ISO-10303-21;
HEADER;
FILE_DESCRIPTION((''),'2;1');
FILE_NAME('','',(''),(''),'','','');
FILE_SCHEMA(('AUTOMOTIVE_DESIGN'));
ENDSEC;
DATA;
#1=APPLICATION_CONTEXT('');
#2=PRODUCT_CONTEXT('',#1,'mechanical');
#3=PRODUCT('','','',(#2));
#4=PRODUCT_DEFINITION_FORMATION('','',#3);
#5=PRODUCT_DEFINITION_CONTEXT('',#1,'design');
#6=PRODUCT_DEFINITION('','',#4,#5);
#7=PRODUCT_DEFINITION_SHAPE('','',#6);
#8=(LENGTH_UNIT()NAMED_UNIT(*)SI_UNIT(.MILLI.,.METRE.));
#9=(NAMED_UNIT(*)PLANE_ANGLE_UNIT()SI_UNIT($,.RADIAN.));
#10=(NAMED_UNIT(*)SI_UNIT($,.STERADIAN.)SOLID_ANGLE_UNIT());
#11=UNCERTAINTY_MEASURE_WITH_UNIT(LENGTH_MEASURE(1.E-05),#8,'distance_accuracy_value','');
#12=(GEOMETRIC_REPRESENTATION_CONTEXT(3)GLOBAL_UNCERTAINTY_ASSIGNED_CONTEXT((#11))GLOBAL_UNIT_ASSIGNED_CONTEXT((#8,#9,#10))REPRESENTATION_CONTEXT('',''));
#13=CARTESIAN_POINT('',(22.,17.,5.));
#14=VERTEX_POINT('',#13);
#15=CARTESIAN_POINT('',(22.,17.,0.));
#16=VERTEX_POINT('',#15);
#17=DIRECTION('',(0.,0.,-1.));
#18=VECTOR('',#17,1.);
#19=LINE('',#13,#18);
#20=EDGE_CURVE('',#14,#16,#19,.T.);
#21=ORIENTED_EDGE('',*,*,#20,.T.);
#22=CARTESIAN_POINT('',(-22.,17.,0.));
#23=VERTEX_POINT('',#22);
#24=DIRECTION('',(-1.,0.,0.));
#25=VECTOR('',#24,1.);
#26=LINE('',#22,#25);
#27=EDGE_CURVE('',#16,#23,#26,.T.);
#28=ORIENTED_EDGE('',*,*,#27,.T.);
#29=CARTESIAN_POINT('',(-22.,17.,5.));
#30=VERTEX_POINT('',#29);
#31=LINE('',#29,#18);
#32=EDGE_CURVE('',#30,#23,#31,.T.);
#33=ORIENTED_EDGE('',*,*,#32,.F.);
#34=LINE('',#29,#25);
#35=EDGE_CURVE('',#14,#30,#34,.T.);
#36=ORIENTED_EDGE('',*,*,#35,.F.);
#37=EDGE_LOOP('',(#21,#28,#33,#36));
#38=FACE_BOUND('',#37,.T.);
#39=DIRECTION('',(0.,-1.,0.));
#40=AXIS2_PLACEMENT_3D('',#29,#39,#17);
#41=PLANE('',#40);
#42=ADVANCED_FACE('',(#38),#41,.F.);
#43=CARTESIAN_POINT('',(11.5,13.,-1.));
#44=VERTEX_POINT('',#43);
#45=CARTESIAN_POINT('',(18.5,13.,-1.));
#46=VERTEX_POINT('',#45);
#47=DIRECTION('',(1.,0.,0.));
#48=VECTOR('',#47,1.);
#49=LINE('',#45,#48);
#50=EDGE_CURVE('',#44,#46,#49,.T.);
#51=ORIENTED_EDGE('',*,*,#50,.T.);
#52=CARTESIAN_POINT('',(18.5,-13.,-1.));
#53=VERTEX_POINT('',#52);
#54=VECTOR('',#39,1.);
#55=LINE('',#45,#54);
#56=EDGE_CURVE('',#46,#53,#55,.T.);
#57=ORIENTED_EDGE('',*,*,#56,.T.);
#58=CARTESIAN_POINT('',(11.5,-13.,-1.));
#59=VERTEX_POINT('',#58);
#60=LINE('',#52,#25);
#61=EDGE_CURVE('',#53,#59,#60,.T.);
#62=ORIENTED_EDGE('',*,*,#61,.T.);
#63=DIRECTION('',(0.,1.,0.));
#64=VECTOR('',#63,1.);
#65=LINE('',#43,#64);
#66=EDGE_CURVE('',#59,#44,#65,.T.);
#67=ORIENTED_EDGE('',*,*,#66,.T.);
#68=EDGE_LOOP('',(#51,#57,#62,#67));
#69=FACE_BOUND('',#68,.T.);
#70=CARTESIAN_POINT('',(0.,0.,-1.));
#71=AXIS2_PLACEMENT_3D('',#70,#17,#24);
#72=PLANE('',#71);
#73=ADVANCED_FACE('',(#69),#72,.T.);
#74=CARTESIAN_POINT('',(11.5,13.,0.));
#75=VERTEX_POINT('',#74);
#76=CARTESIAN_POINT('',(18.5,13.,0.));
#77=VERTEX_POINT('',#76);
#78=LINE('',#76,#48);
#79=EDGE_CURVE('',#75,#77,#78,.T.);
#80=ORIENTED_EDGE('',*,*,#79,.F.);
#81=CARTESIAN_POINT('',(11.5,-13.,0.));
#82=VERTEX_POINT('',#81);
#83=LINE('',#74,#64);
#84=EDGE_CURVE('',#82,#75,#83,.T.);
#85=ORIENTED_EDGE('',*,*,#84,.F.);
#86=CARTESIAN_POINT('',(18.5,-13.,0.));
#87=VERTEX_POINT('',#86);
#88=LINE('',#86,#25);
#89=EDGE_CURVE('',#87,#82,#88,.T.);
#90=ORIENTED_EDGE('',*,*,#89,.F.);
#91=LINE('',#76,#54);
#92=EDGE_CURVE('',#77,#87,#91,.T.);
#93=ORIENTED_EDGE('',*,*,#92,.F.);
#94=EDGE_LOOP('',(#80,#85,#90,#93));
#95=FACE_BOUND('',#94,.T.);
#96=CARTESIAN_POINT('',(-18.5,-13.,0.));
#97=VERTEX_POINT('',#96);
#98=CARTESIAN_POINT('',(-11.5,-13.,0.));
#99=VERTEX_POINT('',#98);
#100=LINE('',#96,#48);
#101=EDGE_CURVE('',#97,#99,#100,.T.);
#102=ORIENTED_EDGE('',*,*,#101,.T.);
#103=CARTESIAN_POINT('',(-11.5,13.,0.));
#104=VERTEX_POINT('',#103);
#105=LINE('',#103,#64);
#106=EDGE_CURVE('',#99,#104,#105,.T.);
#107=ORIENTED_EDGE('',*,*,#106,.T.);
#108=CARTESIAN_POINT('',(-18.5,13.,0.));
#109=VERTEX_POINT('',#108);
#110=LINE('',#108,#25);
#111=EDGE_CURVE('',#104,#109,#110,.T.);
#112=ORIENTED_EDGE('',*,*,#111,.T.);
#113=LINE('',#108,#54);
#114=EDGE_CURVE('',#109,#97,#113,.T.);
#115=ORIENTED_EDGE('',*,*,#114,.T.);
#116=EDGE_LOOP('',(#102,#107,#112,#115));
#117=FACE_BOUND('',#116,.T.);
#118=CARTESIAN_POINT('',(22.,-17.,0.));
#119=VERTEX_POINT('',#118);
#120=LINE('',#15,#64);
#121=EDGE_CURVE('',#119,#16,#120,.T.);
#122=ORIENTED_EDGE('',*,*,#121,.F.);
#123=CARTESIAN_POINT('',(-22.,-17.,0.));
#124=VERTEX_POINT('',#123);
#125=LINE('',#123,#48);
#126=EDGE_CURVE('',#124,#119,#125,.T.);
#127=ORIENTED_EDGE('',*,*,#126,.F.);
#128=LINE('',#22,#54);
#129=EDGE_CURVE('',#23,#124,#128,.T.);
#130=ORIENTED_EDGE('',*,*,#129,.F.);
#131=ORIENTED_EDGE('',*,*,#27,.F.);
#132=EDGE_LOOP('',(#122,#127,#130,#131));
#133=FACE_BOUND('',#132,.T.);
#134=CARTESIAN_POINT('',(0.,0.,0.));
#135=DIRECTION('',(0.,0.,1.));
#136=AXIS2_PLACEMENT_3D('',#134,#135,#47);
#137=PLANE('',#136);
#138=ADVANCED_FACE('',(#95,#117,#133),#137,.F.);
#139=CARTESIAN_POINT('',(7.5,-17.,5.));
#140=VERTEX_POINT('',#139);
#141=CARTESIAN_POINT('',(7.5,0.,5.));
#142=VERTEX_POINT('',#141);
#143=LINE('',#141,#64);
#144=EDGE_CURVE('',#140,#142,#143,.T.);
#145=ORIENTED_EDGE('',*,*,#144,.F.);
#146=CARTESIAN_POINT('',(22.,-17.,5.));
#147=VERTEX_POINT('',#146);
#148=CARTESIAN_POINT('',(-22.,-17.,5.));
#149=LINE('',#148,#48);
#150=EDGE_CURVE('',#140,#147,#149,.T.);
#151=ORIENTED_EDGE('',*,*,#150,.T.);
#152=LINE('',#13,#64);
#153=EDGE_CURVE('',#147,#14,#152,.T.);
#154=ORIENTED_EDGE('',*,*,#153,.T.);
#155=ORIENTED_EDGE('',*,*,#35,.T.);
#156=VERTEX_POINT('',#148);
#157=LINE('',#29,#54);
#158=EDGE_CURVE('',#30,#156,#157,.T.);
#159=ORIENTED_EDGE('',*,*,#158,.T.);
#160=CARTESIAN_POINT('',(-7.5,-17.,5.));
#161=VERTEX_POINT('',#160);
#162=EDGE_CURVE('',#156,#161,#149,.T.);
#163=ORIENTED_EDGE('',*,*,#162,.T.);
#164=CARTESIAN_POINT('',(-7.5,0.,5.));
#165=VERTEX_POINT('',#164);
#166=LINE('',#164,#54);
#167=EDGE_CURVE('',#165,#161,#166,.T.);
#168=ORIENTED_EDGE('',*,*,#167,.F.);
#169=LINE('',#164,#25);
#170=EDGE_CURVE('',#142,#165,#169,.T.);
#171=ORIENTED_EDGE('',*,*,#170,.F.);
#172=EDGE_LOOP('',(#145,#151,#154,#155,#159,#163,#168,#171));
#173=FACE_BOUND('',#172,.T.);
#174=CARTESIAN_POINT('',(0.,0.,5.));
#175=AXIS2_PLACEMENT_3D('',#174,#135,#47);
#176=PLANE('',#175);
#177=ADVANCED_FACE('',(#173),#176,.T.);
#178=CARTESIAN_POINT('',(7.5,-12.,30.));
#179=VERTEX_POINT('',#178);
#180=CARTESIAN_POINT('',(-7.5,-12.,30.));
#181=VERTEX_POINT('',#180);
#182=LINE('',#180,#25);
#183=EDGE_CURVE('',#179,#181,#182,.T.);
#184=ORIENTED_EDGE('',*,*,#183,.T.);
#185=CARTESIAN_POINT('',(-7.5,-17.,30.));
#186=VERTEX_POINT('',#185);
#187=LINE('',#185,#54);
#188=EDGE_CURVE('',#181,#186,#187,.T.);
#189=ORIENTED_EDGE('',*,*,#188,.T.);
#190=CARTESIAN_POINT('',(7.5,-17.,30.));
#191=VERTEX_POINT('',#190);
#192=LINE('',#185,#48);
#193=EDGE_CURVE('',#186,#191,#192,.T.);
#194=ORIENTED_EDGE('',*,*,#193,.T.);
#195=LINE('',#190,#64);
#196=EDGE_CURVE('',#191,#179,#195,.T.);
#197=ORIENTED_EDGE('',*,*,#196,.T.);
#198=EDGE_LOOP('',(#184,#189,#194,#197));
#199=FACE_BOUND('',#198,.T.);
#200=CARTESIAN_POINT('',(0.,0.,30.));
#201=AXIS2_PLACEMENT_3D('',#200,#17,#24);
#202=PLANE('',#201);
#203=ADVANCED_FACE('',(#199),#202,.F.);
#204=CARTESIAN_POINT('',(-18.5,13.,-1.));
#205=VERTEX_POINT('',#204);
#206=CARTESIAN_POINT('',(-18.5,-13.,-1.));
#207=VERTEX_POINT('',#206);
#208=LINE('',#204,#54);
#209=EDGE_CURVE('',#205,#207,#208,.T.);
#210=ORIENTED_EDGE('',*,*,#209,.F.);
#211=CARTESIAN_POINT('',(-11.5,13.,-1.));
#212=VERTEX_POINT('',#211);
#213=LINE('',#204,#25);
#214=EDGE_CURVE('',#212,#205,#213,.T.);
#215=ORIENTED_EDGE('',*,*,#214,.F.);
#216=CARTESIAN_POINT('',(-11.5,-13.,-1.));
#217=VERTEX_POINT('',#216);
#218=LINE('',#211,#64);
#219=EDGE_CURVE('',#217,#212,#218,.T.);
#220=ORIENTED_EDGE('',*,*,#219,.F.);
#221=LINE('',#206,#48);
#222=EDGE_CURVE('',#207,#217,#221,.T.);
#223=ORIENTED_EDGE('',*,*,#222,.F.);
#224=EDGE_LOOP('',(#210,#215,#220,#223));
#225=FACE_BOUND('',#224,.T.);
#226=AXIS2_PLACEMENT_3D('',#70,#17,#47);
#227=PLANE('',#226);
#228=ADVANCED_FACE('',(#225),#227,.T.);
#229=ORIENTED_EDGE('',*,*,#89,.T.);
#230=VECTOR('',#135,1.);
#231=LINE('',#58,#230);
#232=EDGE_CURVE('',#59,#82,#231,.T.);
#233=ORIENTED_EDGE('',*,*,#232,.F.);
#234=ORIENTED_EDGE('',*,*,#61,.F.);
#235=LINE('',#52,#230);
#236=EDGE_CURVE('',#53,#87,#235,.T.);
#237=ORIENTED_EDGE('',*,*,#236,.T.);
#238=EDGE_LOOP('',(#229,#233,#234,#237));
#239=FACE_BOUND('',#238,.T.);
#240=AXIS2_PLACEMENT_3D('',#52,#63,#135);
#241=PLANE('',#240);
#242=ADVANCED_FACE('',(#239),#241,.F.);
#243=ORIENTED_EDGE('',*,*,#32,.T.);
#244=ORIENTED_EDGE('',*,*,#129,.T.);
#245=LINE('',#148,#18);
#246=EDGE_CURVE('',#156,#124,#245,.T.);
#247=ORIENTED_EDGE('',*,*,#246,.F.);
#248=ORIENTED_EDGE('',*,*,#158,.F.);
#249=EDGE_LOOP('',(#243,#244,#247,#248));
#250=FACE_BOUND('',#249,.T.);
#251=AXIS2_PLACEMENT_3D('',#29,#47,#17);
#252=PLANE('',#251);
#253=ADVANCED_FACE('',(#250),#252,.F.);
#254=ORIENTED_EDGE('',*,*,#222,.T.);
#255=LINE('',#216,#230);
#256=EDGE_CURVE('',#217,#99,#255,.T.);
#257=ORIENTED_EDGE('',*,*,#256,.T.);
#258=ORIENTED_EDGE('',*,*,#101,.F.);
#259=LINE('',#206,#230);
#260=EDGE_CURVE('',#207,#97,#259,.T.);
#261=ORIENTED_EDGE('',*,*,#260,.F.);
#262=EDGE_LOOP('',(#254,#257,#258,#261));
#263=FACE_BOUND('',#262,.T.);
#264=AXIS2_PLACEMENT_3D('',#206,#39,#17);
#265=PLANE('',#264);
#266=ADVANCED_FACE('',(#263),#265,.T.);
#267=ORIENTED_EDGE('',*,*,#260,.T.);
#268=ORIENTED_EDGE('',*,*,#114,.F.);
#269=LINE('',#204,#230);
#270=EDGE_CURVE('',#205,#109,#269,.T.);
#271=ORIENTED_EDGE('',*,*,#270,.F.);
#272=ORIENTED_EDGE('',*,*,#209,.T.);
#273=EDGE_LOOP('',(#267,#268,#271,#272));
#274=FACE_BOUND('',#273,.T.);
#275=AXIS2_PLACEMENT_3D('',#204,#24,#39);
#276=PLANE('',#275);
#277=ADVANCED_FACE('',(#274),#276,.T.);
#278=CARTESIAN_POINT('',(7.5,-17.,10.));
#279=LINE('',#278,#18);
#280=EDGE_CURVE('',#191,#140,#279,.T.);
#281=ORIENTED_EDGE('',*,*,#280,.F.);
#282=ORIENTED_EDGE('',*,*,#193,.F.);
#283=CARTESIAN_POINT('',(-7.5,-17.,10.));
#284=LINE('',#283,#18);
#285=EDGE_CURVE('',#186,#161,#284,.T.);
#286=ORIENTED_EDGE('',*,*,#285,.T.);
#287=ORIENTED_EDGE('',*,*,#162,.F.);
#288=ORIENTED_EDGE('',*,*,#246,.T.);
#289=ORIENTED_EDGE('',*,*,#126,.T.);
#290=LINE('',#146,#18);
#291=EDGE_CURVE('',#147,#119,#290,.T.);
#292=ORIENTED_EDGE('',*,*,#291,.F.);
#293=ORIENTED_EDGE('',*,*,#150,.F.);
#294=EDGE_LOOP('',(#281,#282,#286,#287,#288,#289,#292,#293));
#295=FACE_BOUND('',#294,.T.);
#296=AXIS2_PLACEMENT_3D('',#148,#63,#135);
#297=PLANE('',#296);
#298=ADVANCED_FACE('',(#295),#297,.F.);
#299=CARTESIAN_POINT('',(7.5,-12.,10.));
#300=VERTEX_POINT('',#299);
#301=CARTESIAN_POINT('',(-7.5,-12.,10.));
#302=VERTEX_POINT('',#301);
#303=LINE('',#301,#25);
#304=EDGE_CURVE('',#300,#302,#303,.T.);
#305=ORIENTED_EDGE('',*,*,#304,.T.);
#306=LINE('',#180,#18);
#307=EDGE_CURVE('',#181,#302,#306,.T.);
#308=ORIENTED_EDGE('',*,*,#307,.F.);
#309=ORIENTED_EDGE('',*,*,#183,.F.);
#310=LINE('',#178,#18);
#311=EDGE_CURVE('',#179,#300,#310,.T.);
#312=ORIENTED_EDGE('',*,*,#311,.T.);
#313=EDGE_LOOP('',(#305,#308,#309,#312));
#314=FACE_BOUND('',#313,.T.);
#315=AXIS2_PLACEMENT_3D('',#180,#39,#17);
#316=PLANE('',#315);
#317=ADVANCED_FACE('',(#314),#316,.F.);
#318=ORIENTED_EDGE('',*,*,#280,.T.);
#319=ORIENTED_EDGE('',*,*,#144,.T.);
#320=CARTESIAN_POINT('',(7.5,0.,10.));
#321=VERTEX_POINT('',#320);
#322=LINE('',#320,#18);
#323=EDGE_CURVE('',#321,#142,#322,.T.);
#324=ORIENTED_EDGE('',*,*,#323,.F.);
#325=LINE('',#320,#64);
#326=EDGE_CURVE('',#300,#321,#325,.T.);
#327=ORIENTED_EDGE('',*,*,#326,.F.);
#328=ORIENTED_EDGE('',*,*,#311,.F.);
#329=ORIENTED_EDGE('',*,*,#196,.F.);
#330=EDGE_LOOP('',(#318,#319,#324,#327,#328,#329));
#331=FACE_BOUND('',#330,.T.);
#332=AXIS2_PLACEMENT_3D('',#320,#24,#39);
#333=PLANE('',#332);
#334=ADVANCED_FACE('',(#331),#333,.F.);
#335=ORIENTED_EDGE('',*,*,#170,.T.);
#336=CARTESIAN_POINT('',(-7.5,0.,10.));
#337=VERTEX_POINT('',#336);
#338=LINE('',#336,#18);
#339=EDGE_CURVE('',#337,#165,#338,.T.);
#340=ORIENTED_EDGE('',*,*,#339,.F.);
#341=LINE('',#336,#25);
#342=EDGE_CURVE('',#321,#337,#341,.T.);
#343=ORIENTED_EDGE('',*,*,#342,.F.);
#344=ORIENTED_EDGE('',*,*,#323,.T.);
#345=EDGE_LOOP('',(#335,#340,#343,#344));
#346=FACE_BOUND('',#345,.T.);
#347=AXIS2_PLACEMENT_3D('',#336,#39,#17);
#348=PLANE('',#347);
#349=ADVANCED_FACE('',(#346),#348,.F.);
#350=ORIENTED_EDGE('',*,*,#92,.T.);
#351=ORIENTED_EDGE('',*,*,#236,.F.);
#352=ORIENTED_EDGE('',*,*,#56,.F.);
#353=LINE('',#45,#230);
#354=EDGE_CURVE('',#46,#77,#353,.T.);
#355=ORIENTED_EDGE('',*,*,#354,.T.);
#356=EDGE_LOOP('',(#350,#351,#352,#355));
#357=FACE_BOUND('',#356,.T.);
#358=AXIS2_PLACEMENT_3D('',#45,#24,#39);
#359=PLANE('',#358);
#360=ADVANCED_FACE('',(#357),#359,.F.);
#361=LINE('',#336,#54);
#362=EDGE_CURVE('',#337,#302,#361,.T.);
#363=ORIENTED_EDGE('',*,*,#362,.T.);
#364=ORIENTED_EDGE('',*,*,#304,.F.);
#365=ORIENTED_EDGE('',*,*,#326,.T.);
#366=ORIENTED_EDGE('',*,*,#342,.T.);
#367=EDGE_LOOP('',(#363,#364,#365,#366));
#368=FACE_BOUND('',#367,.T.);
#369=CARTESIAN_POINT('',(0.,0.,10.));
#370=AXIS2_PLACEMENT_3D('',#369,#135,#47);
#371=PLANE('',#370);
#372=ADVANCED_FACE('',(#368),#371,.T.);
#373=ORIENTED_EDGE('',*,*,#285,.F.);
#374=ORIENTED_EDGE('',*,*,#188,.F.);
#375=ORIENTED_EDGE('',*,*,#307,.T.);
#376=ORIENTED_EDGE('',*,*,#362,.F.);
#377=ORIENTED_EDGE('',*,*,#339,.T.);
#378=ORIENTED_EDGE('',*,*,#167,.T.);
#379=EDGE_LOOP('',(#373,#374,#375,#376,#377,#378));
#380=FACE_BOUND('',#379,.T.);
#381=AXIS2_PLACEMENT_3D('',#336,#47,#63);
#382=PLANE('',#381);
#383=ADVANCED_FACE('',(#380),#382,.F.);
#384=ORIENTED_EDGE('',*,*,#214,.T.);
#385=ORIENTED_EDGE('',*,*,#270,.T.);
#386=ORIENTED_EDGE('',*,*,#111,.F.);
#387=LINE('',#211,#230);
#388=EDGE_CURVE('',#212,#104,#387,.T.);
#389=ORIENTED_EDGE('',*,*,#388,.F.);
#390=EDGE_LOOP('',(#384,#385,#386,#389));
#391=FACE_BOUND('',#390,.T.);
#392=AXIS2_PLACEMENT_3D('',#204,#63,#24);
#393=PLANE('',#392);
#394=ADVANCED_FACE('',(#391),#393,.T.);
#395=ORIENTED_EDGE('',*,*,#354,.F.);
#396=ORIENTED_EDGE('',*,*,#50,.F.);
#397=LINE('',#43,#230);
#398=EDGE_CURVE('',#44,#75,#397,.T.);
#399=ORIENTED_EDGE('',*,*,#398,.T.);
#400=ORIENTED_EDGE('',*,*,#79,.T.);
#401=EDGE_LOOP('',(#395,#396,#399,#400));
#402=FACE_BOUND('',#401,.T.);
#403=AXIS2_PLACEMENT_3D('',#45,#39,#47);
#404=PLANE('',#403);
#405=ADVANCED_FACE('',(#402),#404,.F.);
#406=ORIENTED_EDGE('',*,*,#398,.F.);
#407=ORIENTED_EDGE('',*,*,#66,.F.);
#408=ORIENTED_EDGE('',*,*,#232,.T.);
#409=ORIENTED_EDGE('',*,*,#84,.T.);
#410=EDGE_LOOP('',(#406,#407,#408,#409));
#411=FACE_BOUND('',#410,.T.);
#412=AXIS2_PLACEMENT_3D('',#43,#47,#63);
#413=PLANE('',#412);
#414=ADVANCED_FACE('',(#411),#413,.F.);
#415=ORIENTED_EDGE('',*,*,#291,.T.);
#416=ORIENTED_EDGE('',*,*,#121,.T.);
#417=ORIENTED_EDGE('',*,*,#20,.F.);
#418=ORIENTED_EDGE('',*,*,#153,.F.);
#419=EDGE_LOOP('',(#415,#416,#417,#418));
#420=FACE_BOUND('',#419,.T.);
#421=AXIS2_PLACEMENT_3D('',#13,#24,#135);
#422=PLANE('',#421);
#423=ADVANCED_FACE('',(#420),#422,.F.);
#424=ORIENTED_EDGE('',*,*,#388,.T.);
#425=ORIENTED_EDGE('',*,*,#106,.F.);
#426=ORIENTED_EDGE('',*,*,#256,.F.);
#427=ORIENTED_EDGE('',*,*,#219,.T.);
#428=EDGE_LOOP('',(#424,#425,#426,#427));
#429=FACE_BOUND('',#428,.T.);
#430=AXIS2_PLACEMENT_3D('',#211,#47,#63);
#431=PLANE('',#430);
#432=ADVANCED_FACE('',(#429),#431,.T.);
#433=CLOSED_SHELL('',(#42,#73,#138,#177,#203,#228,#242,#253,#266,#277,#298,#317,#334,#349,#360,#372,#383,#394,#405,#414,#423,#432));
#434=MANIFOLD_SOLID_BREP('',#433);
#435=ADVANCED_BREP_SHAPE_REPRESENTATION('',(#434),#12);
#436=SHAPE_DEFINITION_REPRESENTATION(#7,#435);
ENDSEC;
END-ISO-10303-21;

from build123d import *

# Parameters (mm, degrees)
SKETCH_1_W      = 44
SKETCH_1_H      = 34
EXTRUDE_1_DEPTH = 5
SKETCH_2_W      = 7
SKETCH_2_H      = 26
EXTRUDE_2_DEPTH = 1
SKETCH_3_W      = 15
SKETCH_3_H      = 17
EXTRUDE_3_DEPTH = 5
SKETCH_4_W      = 15
SKETCH_4_H      = 5
EXTRUDE_4_DEPTH = 20


with BuildPart() as part:
    # 스케치1 → 보스-돌출1 (new body)
    with BuildSketch(Plane.XY):
        Rectangle(SKETCH_1_W, SKETCH_1_H)
    extrude(amount=EXTRUDE_1_DEPTH)

    # 스케치2 → 보스-돌출2 (add)
    with BuildSketch(Plane(origin=(0, 0, 0), x_dir=(-1, 0, 0), z_dir=(0, 0, -1))):
        with Locations((-15, 0)):
            Rectangle(SKETCH_2_W, SKETCH_2_H)
    extrude_2 = extrude(amount=EXTRUDE_2_DEPTH)

    # 대칭 복사1: 보스-돌출2 across plane
    add(extrude_2.mirror(Plane(origin=(0, 0, 0), x_dir=(0, 0, 1), z_dir=(1, 0, 0))))

    # 스케치3 → 보스-돌출3 (add)
    with BuildSketch(Plane.XY.offset(5)):
        with Locations((0, -8.5)):
            Rectangle(SKETCH_3_W, SKETCH_3_H)
    extrude(amount=EXTRUDE_3_DEPTH)

    # 스케치4 → 보스-돌출4 (add)
    with BuildSketch(Plane.XY.offset(10)):
        with Locations((0, -14.5)):
            Rectangle(SKETCH_4_W, SKETCH_4_H)
    extrude(amount=EXTRUDE_4_DEPTH)


solid = part.part
